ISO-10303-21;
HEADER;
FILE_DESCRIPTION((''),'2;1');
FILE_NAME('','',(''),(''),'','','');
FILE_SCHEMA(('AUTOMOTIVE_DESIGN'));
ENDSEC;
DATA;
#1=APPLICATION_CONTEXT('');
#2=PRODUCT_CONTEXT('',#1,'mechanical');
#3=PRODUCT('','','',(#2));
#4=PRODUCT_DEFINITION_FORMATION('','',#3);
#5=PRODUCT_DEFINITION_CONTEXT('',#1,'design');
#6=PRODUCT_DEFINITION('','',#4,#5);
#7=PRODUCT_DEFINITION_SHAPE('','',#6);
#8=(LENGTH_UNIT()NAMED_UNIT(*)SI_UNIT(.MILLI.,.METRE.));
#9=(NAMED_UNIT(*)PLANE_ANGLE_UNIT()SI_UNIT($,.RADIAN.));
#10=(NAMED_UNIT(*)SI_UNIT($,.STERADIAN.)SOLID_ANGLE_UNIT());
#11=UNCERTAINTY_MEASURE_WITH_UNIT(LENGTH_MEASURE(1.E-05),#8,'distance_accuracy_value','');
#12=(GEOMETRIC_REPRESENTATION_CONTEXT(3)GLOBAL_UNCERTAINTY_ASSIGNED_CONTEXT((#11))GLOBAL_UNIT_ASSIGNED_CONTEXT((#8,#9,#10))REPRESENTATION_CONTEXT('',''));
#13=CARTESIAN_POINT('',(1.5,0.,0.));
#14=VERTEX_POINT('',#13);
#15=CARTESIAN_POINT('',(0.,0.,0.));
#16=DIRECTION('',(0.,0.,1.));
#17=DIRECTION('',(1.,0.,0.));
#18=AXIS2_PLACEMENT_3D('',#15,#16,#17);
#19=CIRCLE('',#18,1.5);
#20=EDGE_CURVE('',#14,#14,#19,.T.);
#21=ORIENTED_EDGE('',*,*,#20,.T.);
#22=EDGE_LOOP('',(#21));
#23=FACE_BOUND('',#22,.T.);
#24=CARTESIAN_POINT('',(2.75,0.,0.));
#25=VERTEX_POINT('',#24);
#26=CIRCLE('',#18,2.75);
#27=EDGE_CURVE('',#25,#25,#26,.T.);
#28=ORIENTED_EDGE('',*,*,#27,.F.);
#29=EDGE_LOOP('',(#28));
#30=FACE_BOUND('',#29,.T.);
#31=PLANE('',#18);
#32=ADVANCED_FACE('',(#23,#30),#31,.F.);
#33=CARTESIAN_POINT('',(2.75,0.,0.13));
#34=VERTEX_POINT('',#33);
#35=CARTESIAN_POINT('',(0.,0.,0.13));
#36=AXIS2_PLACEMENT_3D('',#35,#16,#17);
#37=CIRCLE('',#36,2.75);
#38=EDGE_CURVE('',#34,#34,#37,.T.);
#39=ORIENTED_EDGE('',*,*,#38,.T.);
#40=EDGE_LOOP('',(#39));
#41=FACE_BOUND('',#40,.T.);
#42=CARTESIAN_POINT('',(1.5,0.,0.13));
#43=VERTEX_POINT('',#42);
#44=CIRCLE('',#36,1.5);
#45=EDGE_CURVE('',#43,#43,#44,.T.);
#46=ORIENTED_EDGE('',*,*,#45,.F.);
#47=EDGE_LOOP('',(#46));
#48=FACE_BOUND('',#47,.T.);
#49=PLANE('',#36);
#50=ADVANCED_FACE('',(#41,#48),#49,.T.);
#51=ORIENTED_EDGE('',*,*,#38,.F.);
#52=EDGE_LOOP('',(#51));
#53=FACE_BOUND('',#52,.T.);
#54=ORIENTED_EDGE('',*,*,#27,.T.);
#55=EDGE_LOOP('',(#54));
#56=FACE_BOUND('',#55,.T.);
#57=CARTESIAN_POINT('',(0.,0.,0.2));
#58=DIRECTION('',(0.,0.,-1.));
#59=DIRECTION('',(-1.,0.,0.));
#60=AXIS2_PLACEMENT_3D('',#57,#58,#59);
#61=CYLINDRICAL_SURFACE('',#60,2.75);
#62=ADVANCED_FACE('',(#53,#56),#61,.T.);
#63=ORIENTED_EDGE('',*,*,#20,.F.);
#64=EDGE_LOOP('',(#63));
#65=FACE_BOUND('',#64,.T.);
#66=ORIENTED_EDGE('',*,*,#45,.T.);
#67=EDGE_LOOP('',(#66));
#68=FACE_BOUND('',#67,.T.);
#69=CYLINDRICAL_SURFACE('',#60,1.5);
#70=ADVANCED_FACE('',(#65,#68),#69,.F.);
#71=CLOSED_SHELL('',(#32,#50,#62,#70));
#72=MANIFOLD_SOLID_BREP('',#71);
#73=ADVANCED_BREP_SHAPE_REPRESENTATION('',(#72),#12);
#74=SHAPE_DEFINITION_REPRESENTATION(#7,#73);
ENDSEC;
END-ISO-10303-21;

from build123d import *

# Parameters (mm, degrees)
SKETCH1_R           = 2.75
SKETCH1_R_2         = 1.5
BOSS_EXTRUDE3_DEPTH = 0.2
SKETCH2_R           = 4.835938102
CUT_EXTRUDE1_DEPTH  = 0.07


with BuildPart() as part:
    # Sketch1 → Boss-Extrude3 (new body)
    with BuildSketch(Plane.XY):
        Circle(SKETCH1_R)
        Circle(SKETCH1_R_2, mode=Mode.SUBTRACT)
    extrude(amount=BOSS_EXTRUDE3_DEPTH)

    # Sketch2 → Cut-Extrude1 (cut)
    with BuildSketch(Plane.XY.offset(0.2)):
        Circle(SKETCH2_R)
    extrude(amount=-CUT_EXTRUDE1_DEPTH, mode=Mode.SUBTRACT)


solid = part.part
